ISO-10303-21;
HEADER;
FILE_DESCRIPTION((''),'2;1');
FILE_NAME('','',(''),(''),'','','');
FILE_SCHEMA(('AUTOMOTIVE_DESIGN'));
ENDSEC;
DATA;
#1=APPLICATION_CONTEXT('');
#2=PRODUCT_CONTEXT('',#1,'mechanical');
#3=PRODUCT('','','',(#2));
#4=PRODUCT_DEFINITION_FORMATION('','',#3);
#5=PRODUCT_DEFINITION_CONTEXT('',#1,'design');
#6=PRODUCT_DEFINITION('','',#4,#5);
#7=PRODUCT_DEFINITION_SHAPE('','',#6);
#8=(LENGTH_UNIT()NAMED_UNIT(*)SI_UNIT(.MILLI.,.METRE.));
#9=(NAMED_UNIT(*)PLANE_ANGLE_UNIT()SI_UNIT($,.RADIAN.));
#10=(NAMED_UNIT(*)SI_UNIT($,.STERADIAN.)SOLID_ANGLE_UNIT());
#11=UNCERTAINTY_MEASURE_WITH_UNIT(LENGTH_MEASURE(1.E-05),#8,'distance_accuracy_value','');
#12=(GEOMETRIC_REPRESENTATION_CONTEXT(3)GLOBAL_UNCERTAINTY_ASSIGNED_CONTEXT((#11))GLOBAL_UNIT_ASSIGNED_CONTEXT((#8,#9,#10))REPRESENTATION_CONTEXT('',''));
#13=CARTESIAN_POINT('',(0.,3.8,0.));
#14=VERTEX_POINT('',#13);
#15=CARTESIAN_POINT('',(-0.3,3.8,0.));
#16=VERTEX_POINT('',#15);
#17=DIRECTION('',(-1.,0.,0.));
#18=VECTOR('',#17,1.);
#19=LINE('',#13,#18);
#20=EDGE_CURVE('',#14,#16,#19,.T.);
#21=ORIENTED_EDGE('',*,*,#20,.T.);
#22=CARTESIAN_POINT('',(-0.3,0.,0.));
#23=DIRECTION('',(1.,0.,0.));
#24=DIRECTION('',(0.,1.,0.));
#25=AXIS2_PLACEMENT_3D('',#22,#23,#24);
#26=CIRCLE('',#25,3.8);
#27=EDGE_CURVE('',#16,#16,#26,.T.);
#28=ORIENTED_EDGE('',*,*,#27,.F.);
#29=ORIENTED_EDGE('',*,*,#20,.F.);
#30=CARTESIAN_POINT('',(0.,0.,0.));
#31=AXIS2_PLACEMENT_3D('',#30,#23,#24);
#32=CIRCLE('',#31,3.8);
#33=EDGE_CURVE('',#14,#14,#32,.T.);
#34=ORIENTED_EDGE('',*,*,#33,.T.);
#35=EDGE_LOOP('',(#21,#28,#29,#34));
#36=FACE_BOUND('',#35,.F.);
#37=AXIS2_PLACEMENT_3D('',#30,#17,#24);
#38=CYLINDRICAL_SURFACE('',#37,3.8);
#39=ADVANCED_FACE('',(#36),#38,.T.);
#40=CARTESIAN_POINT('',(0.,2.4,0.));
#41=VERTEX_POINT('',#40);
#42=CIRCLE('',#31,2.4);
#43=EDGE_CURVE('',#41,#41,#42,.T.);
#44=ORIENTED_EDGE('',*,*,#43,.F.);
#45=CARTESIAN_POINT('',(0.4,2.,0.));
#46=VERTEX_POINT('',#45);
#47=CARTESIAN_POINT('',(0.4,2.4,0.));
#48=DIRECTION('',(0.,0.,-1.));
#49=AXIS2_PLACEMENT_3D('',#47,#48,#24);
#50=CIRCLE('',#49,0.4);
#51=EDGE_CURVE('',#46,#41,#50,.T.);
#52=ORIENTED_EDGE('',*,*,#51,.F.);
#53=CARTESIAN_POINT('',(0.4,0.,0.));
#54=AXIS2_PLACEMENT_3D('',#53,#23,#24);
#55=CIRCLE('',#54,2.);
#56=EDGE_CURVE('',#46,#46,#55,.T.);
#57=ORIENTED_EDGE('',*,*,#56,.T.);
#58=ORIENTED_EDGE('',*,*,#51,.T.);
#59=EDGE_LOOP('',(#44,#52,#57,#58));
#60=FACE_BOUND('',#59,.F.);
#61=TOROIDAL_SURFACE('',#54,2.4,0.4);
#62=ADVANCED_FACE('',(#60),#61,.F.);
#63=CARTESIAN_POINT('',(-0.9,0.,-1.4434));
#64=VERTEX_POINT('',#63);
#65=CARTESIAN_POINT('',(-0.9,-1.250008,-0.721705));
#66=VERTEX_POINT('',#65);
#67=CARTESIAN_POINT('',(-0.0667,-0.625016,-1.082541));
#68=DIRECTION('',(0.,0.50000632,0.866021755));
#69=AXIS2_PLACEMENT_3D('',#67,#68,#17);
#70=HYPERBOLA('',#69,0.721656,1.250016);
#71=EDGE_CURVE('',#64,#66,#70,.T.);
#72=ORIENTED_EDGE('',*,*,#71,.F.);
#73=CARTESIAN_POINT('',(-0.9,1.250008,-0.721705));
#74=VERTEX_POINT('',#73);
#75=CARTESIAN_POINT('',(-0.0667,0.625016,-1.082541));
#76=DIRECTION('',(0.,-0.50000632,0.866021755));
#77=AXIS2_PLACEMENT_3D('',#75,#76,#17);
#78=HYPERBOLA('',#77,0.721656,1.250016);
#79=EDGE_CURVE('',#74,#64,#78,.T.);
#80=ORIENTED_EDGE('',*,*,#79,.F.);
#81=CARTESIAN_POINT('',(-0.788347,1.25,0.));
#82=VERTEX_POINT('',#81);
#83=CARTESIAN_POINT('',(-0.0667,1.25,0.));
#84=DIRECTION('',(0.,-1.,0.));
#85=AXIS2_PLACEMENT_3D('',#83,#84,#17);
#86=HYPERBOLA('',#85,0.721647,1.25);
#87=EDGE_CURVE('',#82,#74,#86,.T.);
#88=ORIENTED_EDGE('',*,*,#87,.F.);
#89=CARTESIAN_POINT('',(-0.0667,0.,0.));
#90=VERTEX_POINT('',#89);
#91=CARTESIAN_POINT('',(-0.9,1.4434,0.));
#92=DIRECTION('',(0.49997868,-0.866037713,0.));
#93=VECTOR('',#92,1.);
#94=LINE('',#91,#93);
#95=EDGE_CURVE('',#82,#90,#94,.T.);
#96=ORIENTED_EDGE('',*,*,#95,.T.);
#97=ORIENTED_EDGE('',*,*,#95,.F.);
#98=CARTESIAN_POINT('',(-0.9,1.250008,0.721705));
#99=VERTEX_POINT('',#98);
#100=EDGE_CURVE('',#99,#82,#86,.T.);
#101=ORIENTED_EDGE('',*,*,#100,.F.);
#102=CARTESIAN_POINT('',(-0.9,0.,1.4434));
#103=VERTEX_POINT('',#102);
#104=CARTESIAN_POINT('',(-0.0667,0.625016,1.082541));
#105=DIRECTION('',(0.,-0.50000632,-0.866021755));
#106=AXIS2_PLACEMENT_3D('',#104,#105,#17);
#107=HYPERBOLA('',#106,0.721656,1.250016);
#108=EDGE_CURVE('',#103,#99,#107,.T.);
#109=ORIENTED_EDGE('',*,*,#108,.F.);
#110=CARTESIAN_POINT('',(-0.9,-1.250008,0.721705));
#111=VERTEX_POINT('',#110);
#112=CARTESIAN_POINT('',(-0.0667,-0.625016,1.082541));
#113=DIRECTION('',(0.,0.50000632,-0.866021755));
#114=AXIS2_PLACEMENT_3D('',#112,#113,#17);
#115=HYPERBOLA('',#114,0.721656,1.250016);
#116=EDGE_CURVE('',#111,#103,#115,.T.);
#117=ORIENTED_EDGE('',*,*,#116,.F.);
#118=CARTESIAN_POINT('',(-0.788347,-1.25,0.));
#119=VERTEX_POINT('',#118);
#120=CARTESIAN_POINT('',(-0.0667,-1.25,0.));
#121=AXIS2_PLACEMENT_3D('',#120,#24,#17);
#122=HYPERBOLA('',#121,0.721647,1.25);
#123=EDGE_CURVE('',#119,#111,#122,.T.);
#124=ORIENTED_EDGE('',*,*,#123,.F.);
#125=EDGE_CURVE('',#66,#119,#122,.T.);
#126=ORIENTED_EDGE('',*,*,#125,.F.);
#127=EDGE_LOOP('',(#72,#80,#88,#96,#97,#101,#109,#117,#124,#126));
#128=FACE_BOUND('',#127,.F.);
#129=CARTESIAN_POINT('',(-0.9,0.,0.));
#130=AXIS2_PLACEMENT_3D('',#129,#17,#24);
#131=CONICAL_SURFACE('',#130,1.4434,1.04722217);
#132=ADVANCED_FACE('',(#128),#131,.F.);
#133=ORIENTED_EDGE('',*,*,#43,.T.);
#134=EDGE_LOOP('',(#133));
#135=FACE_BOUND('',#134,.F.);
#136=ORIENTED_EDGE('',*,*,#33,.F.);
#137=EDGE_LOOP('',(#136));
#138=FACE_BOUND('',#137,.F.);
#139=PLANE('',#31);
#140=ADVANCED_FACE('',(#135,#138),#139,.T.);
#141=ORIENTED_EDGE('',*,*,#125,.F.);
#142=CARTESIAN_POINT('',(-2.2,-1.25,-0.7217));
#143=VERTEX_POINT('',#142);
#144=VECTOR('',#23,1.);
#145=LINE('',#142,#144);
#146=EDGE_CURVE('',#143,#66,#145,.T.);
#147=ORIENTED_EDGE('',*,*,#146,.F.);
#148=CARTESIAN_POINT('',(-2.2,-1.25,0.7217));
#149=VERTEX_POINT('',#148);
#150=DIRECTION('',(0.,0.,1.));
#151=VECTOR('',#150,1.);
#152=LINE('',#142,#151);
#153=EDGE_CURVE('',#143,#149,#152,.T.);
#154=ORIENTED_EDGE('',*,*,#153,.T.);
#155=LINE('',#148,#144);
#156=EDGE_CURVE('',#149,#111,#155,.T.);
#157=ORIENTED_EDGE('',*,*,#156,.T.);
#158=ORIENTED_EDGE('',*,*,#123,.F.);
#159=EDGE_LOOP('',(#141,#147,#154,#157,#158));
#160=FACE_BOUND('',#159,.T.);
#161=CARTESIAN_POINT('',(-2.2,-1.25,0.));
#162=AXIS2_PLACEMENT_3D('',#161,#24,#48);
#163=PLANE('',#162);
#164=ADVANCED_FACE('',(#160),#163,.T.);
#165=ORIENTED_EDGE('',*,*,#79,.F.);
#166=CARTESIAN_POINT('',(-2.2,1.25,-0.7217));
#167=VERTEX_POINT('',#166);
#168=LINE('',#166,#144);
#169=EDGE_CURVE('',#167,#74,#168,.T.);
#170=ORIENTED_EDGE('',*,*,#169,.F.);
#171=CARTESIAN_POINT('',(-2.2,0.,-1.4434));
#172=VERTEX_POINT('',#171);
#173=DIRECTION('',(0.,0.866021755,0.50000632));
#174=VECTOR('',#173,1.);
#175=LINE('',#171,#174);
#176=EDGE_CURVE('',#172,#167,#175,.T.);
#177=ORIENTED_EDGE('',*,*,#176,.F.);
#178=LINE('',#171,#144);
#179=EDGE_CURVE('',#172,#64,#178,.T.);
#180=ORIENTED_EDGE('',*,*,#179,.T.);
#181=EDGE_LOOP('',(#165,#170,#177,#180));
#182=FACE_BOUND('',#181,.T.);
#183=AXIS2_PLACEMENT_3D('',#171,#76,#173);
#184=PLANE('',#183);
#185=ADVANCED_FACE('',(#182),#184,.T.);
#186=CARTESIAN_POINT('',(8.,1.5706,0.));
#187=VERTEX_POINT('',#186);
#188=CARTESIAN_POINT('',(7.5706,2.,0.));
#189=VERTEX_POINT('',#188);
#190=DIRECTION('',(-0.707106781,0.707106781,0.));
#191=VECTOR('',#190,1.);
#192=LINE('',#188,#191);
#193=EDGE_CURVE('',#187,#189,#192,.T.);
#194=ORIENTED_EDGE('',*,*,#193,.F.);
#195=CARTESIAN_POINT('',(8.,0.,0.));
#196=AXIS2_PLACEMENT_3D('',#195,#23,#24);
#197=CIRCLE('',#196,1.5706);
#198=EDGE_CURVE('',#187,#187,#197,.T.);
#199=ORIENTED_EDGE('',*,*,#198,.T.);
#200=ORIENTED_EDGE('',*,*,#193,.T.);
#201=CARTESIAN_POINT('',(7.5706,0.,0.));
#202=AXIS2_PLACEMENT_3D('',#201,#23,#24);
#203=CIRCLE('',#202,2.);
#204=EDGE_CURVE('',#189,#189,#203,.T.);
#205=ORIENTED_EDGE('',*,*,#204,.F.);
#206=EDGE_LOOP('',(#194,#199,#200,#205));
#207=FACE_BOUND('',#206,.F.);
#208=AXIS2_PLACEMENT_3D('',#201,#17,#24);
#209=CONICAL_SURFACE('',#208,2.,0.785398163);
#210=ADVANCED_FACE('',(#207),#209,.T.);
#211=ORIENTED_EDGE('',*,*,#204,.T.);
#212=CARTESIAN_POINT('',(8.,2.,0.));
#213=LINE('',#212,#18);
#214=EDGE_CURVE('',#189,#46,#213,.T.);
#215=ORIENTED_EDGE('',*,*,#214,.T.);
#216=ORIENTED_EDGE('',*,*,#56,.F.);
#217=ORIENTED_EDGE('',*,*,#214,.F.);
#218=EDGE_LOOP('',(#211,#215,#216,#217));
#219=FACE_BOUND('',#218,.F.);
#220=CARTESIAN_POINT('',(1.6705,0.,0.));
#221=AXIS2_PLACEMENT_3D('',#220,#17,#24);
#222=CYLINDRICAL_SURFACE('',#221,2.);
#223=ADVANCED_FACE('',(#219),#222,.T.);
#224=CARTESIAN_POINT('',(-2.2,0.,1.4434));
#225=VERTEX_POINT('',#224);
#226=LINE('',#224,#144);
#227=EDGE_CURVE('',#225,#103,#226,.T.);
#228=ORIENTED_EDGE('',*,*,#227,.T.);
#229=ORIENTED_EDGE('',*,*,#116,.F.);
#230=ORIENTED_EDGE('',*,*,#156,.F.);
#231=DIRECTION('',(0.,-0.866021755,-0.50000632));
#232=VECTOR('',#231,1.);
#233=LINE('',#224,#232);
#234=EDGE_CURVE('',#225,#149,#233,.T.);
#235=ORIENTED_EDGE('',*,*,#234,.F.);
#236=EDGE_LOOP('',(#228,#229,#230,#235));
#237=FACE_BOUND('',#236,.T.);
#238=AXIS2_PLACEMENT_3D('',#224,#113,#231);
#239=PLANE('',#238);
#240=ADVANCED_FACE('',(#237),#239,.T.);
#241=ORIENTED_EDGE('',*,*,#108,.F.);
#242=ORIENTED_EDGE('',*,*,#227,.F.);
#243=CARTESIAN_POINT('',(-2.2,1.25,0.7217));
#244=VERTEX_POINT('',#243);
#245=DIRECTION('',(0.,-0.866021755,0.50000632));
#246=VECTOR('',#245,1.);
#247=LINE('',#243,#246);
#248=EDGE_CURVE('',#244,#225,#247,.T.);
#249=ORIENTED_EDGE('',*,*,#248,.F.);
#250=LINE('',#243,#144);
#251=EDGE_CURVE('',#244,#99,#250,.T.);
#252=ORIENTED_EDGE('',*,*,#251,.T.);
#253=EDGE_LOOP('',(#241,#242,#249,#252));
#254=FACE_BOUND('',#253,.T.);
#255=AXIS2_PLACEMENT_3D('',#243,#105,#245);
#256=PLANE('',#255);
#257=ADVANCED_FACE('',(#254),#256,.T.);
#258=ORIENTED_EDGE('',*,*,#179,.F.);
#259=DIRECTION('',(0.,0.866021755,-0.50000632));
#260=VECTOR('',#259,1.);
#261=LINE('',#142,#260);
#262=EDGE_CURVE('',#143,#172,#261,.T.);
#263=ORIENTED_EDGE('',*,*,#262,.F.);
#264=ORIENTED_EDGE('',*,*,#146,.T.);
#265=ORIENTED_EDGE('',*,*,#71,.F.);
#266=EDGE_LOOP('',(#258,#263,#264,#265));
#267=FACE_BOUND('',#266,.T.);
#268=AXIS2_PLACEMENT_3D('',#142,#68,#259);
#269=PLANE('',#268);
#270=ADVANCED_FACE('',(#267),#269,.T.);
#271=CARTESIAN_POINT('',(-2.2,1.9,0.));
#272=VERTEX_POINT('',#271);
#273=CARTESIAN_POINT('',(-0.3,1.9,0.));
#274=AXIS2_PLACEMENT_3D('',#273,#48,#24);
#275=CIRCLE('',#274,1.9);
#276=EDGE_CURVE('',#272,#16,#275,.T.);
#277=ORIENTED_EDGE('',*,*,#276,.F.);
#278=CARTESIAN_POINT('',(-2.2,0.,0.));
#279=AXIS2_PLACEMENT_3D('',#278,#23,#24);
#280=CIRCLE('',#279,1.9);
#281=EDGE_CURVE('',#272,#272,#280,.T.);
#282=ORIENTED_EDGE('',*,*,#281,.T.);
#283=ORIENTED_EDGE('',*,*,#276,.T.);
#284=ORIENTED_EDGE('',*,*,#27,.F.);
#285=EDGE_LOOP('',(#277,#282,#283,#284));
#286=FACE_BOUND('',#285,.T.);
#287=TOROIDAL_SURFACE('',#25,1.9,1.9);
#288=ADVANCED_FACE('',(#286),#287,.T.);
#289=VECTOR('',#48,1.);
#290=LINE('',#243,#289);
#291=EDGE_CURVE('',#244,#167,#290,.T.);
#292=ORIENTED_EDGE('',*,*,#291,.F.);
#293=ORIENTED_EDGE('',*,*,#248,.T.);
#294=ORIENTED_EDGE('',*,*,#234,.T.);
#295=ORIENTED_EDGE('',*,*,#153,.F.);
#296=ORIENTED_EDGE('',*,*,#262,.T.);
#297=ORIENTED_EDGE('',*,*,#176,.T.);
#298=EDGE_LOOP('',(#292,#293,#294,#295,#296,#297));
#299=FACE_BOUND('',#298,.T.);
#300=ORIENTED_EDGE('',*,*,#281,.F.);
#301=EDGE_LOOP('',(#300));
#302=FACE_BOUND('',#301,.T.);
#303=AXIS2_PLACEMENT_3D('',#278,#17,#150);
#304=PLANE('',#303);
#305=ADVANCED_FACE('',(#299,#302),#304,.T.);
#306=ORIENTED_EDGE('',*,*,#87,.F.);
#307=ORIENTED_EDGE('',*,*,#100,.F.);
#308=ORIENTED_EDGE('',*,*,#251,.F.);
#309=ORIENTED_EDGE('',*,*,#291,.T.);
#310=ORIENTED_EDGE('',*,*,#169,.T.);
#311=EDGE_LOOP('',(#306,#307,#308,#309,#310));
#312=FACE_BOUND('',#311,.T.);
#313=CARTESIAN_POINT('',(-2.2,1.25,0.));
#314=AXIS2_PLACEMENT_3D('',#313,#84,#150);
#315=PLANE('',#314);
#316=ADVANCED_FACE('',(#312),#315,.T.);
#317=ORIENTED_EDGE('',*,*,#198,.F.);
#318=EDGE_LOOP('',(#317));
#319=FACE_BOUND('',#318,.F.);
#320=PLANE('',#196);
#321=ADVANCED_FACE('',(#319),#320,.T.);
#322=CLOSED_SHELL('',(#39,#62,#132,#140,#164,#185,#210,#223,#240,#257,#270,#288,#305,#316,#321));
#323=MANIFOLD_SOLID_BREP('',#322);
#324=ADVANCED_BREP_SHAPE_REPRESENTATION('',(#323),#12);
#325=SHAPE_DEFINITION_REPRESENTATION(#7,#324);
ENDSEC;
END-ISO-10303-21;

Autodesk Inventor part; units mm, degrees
ref_plane "YZ Plane" through (0, 0, 0) normal (1, 0, 0) x (0, 1, 0)
ref_plane "XZ Plane" through (0, 0, 0) normal (0, 1, 0) x (-1, 0, 0)
sketch "Sketch1" plane through (0, 0, 0) normal (0, 0, 1) x (1, 0, 0)
  line L0 (-0.0667, 0) -> (8, 0)
  line L1 (8, 0) -> (8, 2)
  line L2 (8, 2) -> (2.1, 2)
  line L3 (2.1, 2) -> (1.6705, 2)
  line L4 (1.6705, 2) -> (0, 2)
  line L5 (0, 2) -> (0, 3.8)
  line L6 (0, 3.8) -> (-2.2, 3.8)
  line L7 (-2.2, 3.8) -> (-2.2, 1.4434)
  line L8 (-2.2, 1.4434) -> (-0.9, 1.4434)
  line L9 (-0.9, 1.4434) -> (-0.0667, 0)
  line L10 (-4.24, 0) -> (10.04, 0) projected
  line L11 (0, -0.76) -> (0, 4.56) projected
  line L12 (2.1, 2) -> (0, 2) construction
  dimension "d1" = 5.9
  dimension "d2" = 0.4295
  dimension "d3" = 2.2
  dimension "d4" = 1.3
  dimension "d5" = 60
  dimension "d6" = 4
  dimension "d7" = 4
  dimension "d8" = 2.8868
  dimension "d9" = 7.6
  dimension "d26" = 8
revolve "Body" add sketch "Sketch1" angle 360 about axis through (-0.0667, 0, 0) along (1, 0, 0)
sketch "Sketch2" plane through (-2.2, 0, 0) normal (-1, 0, 0) x (0, 0, 1)
  circle A0 centre (0, 0) radius 1.4434 projected
  line L0 (0, -5.32) -> (0, 5.32) projected
  line L1 (-5.32, 0) -> (5.32, 0) projected
  line L2 (1.4434, 0) -> (0.7217, -1.25)
  line L3 (0.7217, -1.25) -> (-0.7217, -1.25)
  line L4 (-0.7217, -1.25) -> (-1.4434, 0)
  line L5 (-1.4434, 0) -> (-0.7217, 1.25)
  line L6 (-0.7217, 1.25) -> (0.7217, 1.25)
  line L7 (0.7217, 1.25) -> (1.4434, 0)
  point P0 (0, 0)
extrude "Slot" add sketch "Sketch2" against normal up to next contours L7 A0 | A0 L2 | L6 L0 A0 | A0 L0 L3 | L0 L6 A0 | A0 L3 L0 | L4 A0 | A0 L5
fillet "Fillet1" radius 1.9 1 edges at (-2.2, -3.8, 0)
thread "Thread" size "M4x0.7" class "6g" standard "ISO Metric profile" length 5.9
chamfer "Chamfer1" distance 0.4294 distance2 0.4294 1 edges at (8, -2, 0) measured on face at (8, 0.556, 0.0273)
ref_plane "Work Plane1" through (29, 0, 0) normal (0, -1, 0) x (1, 0, 0)
fillet "Fillet2" radius 0.4 1 edges at (0, -2, 0)
equation "\"d1\" = GEL"
equation "\"d3\" = KOH"
equation "\"d4\" = INTI"
equation "\"d6\" = GD"
equation "\"d7\" = BDM"
equation "\"d8\" = 1.1547 * SW"
equation "\"d9\" = KOD"
equation "\"d26\" = NLG"
equation "\"d30\" = R"
equation "\"d17\" = RR"
equation "\"d13\" = GEL"
equation "\"d15\" = -0.5 * SPD + 0.5 * GD"
equation "\"d16\" = GUL"
equation "\"GD\" = NND"
equation "\"NLG\" = 8"
equation "\"GEL\" = 5.9"
equation "\"KOD\" = 7.6"
equation "\"KOH\" = 2.2"
equation "\"INTI\" = 1.3"
equation "\"GAL\" = 0.61345 * PTC"
equation "\"GUL\" = 0.61345 * PTC"
equation "\"BDM\" = NND"
equation "\"SW\" = 2.5"
equation "\"RR\" = 1.9"
equation "\"SPD\" = NND - 1.2269 * PTC"
equation "\"R\" = 0.4"
equation "\"TOA\" = 30deg"
equation "\"GD1\" = THREADDIA - 1.2269 * PTC"
equation "\"THREADDIA\" = 4"
equation "\"PTC\" = 0.7"
equation "\"NND\" = 4"
equation "\"KOH1\" = 0.3"
equation "\"E0\" = 2.873"
properties part number "ISO 7380-1 - M4 x 8" material "Steel"
